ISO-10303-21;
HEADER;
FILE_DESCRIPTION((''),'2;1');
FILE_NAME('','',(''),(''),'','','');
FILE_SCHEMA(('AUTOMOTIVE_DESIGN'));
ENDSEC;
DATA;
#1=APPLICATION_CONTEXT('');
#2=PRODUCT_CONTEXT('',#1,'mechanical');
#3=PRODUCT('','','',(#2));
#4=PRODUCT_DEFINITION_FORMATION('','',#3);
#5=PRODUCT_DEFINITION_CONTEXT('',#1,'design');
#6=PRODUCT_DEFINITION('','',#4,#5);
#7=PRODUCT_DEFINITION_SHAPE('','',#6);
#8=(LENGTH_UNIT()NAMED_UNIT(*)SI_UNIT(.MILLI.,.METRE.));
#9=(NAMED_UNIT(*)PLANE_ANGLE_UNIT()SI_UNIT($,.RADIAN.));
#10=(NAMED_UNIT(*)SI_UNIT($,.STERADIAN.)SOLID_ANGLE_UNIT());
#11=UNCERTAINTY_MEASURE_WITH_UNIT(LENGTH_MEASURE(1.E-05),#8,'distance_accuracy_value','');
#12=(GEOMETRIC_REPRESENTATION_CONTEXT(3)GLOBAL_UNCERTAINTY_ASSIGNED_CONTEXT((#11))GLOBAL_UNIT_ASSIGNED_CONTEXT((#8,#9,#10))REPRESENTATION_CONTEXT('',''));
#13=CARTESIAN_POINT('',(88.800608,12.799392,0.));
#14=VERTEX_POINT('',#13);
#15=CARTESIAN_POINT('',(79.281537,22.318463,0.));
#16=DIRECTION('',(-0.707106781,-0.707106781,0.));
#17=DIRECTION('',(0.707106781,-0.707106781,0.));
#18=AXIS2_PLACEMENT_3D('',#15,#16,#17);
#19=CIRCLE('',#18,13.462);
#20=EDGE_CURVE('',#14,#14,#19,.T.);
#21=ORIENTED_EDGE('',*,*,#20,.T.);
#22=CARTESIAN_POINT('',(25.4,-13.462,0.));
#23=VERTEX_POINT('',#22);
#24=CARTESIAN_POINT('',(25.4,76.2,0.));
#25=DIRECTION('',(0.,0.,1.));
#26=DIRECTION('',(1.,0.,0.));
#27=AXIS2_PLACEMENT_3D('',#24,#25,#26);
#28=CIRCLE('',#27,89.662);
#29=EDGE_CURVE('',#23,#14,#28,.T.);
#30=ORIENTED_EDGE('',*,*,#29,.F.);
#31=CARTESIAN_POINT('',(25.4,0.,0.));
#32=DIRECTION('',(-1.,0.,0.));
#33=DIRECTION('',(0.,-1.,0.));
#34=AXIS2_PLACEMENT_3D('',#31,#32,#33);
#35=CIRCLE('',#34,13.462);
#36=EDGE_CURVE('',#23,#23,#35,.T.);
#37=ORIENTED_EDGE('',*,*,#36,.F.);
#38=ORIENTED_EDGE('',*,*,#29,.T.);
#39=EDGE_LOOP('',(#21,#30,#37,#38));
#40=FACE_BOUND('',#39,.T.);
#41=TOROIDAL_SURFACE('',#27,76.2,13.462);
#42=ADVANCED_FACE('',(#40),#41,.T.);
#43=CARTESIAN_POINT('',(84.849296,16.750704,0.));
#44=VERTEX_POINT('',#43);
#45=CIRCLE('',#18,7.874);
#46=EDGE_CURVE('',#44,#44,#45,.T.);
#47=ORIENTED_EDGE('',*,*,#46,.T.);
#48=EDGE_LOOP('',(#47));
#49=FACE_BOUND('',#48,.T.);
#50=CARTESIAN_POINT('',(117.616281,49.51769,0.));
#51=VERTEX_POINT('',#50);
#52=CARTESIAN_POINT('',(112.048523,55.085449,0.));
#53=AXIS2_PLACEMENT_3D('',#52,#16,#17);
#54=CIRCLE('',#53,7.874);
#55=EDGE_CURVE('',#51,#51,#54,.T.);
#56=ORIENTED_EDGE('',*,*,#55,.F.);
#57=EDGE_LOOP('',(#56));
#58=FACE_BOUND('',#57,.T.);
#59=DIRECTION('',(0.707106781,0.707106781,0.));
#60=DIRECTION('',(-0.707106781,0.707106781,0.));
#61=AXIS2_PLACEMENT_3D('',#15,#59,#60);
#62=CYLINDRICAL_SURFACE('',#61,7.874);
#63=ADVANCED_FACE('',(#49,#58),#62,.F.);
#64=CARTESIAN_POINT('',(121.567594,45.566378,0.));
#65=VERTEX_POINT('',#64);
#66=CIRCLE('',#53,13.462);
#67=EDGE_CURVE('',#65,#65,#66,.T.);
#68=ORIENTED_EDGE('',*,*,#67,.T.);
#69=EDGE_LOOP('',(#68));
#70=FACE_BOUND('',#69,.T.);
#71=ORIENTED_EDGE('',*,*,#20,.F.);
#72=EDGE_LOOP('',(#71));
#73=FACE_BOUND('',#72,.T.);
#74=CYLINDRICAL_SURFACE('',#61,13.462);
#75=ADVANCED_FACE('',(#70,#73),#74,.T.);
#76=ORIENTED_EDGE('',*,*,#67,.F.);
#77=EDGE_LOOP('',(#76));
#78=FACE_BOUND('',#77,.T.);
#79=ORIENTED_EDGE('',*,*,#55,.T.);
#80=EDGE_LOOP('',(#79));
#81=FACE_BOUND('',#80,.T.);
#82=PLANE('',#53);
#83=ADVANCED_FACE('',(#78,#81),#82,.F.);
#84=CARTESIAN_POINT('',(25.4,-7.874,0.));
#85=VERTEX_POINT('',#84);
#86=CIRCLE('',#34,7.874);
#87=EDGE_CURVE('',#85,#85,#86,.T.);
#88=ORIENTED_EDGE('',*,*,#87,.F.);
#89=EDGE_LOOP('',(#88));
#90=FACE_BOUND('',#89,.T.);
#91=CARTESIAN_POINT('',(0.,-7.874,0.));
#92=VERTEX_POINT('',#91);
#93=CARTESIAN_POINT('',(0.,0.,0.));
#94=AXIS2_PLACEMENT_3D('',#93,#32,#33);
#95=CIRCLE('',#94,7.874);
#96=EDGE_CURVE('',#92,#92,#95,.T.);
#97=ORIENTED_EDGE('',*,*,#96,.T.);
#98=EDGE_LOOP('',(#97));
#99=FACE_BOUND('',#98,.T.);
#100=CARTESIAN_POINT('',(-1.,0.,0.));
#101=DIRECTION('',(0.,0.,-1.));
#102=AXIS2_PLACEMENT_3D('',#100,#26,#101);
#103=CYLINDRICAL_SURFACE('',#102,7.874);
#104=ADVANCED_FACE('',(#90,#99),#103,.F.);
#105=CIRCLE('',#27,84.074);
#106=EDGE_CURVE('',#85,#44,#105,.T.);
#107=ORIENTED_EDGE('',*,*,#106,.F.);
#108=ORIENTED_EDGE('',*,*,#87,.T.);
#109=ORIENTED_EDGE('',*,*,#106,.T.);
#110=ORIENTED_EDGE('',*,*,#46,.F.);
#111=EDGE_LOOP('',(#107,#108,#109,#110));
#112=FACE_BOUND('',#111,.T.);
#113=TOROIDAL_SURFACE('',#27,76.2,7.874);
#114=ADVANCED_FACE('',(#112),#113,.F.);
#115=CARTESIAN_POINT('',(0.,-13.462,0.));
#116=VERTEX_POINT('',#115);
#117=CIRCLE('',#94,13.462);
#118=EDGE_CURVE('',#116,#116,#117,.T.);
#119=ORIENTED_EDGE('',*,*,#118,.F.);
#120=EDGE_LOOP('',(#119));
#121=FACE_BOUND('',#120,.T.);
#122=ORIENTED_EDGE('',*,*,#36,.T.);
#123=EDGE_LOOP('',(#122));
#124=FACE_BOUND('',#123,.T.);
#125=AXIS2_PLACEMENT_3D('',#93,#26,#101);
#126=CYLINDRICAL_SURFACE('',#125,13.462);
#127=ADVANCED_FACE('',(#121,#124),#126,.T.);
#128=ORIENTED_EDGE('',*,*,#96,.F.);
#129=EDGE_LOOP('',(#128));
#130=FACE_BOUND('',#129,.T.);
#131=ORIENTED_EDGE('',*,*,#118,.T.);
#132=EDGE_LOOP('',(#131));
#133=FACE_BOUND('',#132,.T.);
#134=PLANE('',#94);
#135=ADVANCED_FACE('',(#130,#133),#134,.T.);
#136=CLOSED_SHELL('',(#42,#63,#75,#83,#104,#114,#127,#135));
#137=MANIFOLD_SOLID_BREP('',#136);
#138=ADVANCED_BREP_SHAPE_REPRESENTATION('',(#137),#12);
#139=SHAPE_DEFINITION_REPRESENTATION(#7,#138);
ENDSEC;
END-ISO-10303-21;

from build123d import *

# Parameters (mm, degrees)
SWEEP1_PROFILE_R     = 13.462
CUT_SWEEP1_PROFILE_R = 7.874


with BuildPart() as part:
    # Sweep1: sweep along a path in Sketch1
    with BuildLine(Plane.XY) as sweep1_path:
        Line((0, 0), (25.4, 0))
        ThreePointArc((25.4, 0), (54.560477546, 5.800379623), (79.281536726, 22.318463274))
        Line((79.281536726, 22.318463274), (112.048522617, 55.085449164))
    # Sweep1 profile (on start of the path) → Sweep1 (sweep)
    with BuildSketch(Plane(origin=(0, 0, 0), x_dir=(0, 0, 1), z_dir=(1, 0, 0))):
        Circle(SWEEP1_PROFILE_R)
    sweep(path=sweep1_path.line)

    # Cut-Sweep1: sweep along a path in Sketch1<2>
    with BuildLine(Plane.XY) as cut_sweep1_path:
        Line((0, 0), (25.4, 0))
        ThreePointArc((25.4, 0), (54.560477546, 5.800379623), (79.281536726, 22.318463274))
        Line((79.281536726, 22.318463274), (112.048522617, 55.085449164))
    # Cut-Sweep1 profile (on start of the path) → Cut-Sweep1 (sweep, cut)
    with BuildSketch(Plane(origin=(0, 0, 0), x_dir=(0, 0, 1), z_dir=(1, 0, 0))):
        Circle(CUT_SWEEP1_PROFILE_R)
    sweep(path=cut_sweep1_path.line, mode=Mode.SUBTRACT)


solid = part.part
